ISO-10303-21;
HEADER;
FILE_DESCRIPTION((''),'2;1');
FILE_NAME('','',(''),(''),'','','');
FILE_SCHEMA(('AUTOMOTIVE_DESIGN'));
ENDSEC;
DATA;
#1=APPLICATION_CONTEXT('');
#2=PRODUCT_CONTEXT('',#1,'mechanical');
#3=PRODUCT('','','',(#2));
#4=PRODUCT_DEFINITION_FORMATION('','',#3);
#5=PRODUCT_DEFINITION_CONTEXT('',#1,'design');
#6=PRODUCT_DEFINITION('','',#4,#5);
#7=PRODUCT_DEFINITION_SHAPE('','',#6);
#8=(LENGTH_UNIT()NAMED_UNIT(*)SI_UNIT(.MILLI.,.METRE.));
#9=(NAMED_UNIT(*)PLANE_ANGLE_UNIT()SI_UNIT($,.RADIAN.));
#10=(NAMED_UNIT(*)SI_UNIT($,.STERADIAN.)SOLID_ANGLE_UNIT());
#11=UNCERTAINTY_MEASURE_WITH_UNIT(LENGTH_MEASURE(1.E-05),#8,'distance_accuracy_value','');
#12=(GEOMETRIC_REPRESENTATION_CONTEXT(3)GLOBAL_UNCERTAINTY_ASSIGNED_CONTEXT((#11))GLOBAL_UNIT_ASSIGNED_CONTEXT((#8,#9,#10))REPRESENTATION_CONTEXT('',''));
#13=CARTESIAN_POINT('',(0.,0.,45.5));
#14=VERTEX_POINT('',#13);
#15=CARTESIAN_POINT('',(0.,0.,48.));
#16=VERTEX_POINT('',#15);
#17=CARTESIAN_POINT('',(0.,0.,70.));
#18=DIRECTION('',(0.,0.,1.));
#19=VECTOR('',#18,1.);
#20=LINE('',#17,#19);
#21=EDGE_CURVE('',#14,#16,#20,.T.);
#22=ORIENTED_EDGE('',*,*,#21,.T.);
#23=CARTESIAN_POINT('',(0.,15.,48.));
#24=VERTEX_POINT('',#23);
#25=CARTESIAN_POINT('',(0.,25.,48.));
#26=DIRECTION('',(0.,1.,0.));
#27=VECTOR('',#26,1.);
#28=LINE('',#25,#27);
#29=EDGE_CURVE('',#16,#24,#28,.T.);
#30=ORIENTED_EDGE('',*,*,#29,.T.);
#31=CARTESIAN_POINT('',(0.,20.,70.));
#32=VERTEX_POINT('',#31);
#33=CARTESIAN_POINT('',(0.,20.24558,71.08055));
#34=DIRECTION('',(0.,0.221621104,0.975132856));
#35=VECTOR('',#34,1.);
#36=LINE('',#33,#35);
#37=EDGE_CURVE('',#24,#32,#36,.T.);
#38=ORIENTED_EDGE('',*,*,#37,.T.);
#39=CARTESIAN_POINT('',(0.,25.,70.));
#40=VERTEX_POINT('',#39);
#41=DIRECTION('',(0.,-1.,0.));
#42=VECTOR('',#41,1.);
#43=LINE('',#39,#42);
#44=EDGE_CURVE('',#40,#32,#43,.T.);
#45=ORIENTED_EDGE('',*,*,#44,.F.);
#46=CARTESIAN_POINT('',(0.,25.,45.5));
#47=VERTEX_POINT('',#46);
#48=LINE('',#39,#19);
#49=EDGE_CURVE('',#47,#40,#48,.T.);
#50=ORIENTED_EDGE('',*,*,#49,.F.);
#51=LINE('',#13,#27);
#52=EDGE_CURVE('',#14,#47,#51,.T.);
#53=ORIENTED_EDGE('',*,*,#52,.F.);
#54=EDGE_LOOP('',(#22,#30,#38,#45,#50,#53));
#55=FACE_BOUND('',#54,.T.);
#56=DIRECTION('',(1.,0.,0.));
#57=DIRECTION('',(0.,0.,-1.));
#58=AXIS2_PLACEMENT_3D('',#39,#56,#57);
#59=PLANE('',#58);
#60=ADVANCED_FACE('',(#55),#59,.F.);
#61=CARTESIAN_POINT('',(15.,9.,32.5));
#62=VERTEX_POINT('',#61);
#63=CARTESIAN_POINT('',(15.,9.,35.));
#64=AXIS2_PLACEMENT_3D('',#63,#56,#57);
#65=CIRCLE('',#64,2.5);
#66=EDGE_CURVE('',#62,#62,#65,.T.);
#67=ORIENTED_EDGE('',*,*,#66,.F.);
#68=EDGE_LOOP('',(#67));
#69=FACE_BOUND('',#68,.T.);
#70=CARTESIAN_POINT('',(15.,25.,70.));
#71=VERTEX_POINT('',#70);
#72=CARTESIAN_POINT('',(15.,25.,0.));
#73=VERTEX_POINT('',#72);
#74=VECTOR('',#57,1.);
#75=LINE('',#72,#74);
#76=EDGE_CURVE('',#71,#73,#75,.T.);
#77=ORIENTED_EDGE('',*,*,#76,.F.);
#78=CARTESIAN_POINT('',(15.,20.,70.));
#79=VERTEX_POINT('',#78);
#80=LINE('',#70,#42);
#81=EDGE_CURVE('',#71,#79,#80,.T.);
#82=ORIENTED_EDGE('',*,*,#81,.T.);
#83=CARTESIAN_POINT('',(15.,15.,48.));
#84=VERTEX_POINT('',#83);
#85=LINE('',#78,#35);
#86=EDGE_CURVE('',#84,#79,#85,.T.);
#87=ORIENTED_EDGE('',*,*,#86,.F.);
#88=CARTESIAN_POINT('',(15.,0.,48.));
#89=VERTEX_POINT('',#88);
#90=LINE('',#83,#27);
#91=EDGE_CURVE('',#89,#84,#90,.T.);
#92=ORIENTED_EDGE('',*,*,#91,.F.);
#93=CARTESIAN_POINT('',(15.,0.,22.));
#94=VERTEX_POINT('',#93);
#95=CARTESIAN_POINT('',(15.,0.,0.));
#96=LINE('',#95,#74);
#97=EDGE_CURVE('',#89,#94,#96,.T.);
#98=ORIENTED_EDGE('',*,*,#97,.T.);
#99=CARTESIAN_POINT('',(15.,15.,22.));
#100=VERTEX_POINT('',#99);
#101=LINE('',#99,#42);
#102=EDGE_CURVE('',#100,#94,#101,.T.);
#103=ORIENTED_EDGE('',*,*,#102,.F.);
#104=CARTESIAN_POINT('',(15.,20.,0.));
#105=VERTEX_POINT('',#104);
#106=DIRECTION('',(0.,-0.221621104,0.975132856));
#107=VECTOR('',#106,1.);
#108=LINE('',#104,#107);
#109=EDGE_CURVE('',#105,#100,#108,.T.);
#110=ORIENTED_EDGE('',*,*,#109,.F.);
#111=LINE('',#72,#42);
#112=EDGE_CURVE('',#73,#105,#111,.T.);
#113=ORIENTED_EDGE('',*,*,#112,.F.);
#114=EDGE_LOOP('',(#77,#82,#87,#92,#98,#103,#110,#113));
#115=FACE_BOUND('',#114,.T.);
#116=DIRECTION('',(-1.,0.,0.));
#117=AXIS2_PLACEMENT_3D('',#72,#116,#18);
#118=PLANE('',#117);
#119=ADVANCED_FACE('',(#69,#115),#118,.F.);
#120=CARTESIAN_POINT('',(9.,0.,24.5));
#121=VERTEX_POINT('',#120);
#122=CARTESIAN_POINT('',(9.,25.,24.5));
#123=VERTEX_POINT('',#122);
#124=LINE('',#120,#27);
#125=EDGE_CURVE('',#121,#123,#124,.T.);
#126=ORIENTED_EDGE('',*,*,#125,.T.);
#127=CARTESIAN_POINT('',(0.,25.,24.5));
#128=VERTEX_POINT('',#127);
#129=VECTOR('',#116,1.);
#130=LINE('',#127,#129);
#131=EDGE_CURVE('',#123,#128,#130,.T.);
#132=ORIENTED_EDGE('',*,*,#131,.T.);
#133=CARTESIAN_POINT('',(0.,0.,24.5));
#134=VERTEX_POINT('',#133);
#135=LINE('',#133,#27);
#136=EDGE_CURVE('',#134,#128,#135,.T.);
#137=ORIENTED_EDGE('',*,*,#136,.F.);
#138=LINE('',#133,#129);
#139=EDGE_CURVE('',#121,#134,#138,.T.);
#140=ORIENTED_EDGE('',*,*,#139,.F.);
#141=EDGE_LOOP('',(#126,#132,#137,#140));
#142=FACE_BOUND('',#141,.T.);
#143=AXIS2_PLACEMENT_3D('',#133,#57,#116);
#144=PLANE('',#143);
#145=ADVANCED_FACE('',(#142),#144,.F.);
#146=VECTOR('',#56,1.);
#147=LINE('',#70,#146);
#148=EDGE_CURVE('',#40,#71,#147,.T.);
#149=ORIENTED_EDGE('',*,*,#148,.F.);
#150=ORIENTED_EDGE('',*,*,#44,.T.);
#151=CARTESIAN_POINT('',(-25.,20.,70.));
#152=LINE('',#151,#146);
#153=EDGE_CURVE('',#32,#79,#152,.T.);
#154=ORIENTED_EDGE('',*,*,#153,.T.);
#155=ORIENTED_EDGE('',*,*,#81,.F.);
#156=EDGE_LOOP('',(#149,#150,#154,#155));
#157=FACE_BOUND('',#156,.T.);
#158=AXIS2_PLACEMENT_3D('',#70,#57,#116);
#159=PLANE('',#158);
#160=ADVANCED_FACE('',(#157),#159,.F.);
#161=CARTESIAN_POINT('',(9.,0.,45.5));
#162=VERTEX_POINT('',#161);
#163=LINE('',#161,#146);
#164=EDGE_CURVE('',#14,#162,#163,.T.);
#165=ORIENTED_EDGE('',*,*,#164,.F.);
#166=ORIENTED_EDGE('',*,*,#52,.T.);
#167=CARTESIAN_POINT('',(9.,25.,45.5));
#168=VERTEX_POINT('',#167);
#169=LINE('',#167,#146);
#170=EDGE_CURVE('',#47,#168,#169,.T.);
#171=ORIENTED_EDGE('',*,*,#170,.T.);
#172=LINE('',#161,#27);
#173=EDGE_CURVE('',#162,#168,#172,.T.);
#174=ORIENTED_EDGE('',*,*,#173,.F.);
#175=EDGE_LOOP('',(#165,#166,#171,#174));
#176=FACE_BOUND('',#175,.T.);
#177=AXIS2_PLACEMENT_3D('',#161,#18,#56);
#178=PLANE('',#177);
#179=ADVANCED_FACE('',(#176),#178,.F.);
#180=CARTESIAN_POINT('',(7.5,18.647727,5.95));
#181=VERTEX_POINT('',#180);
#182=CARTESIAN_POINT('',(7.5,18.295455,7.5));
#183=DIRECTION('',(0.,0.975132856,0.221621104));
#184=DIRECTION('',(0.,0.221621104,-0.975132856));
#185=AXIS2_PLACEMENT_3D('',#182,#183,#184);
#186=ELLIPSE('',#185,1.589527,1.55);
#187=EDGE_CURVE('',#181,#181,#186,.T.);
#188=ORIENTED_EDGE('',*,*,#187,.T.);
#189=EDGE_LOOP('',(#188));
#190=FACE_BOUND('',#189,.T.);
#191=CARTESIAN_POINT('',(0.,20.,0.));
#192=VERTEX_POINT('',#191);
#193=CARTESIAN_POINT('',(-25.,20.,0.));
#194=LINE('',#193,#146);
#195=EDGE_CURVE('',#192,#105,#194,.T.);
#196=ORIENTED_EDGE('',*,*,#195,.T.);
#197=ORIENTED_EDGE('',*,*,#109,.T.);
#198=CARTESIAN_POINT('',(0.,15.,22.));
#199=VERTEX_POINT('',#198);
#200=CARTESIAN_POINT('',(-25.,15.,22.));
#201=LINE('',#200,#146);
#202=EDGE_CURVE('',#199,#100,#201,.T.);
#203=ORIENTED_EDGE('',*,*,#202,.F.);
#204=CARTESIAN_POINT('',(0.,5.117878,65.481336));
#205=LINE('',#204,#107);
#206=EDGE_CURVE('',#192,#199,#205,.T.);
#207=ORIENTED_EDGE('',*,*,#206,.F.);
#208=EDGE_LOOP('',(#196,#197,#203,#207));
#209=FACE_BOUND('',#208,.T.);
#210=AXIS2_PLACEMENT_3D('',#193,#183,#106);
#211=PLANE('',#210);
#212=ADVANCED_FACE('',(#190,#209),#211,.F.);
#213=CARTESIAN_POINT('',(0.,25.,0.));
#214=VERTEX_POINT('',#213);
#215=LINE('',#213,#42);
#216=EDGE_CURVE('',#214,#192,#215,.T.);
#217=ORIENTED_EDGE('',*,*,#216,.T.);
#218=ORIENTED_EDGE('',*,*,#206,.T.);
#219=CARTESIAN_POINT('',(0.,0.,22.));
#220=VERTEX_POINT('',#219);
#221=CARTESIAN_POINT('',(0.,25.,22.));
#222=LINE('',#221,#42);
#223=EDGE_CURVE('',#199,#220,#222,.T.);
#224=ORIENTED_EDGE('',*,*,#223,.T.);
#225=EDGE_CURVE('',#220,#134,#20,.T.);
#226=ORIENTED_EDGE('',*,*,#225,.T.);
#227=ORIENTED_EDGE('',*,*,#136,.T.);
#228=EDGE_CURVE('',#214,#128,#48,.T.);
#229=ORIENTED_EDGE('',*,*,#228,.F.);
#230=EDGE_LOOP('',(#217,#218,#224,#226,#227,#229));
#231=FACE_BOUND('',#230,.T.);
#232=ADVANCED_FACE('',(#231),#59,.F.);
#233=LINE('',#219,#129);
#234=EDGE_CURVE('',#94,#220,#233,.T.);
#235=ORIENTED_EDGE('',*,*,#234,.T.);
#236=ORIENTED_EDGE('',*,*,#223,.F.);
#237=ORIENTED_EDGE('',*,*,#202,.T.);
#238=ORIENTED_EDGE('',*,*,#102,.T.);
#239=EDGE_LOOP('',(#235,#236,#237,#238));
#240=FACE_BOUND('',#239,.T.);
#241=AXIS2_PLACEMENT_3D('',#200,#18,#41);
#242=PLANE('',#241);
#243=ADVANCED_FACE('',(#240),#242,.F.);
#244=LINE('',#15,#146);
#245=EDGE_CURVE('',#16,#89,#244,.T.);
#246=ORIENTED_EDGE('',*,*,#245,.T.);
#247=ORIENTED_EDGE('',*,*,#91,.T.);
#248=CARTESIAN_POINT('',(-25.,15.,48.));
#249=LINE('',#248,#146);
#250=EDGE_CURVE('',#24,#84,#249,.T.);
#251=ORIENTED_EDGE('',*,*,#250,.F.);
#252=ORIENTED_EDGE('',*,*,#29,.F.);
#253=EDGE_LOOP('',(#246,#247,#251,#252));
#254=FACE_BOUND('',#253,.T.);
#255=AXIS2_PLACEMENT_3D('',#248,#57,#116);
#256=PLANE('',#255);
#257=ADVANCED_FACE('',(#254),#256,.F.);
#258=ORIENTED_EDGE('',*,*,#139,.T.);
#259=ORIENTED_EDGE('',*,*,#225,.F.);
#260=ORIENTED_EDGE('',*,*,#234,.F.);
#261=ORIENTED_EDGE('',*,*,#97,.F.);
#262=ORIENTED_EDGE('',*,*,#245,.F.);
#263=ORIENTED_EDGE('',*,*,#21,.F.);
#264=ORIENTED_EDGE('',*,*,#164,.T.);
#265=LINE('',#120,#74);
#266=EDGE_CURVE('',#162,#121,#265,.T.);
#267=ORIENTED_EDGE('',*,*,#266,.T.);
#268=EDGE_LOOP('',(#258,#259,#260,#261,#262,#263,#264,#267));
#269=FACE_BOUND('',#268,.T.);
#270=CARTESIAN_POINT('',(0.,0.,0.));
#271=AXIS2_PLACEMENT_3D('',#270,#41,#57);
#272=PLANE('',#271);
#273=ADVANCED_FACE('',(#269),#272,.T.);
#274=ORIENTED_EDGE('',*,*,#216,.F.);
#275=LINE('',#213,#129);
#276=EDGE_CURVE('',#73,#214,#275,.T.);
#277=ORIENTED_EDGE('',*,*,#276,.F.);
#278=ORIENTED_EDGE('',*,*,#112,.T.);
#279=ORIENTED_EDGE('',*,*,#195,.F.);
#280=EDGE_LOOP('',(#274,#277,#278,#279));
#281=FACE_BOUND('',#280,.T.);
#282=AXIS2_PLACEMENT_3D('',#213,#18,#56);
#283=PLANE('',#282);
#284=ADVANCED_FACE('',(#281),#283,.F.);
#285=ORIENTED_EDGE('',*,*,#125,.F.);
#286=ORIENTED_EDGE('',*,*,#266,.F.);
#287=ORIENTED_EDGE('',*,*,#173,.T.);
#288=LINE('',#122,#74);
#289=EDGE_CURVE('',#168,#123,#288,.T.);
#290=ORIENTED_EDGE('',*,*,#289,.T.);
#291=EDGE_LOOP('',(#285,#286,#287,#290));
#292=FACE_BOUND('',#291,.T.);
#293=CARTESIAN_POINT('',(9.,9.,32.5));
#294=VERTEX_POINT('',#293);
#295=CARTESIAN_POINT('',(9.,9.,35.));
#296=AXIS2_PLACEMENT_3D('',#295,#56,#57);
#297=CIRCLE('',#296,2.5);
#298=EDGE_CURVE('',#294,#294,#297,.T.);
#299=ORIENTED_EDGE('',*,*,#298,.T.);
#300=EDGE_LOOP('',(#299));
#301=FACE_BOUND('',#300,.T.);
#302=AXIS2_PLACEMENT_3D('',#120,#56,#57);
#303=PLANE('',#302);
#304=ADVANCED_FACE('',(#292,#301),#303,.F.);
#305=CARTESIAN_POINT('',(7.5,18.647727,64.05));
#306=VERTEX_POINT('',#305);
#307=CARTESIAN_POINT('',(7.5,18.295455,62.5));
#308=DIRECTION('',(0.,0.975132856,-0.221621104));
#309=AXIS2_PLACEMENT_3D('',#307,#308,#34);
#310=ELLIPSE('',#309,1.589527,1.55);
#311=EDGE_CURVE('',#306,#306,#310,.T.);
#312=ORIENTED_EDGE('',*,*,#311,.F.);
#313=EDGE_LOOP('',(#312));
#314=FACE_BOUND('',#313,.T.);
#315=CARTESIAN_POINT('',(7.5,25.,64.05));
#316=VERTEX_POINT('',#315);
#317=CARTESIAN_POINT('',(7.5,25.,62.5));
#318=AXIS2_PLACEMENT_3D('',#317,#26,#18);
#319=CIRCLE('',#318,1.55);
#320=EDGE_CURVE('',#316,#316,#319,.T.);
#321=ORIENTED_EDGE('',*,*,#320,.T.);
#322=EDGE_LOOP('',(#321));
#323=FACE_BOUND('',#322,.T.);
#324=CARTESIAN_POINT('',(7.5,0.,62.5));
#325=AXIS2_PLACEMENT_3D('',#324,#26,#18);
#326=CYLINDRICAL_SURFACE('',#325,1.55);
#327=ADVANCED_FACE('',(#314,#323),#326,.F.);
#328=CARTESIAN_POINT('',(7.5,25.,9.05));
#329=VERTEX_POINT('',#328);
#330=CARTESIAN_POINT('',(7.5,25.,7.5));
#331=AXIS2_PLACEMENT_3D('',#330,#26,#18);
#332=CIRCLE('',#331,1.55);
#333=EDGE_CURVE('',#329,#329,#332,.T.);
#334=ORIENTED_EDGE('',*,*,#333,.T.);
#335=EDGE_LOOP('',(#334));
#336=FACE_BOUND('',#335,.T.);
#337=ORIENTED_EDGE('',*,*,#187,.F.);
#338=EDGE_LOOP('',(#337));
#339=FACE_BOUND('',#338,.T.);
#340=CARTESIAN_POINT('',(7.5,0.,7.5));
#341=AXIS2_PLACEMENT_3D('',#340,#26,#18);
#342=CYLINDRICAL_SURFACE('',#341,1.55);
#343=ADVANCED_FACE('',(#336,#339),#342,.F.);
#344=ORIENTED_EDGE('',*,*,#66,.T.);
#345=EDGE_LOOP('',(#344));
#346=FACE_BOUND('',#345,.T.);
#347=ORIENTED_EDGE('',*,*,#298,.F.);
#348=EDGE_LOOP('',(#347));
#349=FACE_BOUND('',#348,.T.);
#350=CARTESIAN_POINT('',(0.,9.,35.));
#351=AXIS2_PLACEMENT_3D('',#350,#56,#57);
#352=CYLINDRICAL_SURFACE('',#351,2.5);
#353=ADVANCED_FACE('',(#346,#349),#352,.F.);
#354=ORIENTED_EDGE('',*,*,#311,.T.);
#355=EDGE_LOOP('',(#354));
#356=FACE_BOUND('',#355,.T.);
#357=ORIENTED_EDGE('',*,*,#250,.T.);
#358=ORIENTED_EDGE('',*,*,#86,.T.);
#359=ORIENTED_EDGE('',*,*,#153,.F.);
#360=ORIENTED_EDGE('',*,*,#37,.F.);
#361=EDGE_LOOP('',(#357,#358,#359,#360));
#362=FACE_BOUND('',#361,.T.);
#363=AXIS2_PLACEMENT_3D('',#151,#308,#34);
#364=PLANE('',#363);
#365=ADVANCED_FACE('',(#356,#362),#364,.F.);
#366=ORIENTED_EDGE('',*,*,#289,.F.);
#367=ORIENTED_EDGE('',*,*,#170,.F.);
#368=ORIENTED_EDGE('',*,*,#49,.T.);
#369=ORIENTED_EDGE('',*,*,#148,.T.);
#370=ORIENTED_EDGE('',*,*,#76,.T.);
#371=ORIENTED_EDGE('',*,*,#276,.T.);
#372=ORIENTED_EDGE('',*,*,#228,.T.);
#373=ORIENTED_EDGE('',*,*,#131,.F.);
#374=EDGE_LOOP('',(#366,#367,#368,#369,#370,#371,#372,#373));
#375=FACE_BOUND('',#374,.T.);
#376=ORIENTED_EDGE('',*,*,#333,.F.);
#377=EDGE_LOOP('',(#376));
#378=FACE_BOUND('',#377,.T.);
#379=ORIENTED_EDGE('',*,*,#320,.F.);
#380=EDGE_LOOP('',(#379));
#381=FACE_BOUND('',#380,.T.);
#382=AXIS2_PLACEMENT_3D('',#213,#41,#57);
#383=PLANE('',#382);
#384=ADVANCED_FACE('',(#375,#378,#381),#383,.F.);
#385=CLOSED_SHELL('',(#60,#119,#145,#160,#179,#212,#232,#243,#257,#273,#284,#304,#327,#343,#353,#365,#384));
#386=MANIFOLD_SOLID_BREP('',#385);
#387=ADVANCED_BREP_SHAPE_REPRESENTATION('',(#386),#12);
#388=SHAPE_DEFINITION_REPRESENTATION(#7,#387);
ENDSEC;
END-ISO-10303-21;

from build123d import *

# Parameters (mm, degrees)
SKETCH_1_W          = 15
SKETCH_1_H          = 70
EXTRUDE_1_DEPTH     = 25
CUT_EXTRUDE_1_DEPTH = 40
SKETCH_3_W          = 9
SKETCH_3_H          = 21
CUT_EXTRUDE_2_DEPTH = 76.828754441
SKETCH_5_R          = 1.55
CUT_EXTRUDE_3_DEPTH = 76.828754441
SKETCH_6_R          = 2.5
CUT_EXTRUDE_4_DEPTH = 76.828754441


with BuildPart() as part:
    # 草图1 → 凸台-拉伸1 (new body)
    with BuildSketch(Plane(origin=(0, 0, 0), x_dir=(1, 0, 0), z_dir=(0, 1, 0))):
        with Locations((7.5, -35)):
            Rectangle(SKETCH_1_W, SKETCH_1_H)
    extrude(amount=EXTRUDE_1_DEPTH)

    # 草图2 → 切除-拉伸1 (cut)
    with BuildSketch(Plane(origin=(15, 0, 0), x_dir=(0, 0, -1), z_dir=(1, 0, 0))):
        Polygon((-70, 20), (-48, 15), (-48, 0), (-70, 0), align=None)
        Polygon((0, 20), (-22, 15), (-22, 0), (0, 0), align=None)
    extrude(amount=-CUT_EXTRUDE_1_DEPTH, mode=Mode.SUBTRACT)

    # 草图3 → 切除-拉伸2 (cut, through all)
    with BuildSketch(Plane(origin=(0, 25, 0), x_dir=(1, 0, 0), z_dir=(0, 1, 0))):
        with Locations((4.5, -35)):
            Rectangle(SKETCH_3_W, SKETCH_3_H)
    extrude(amount=-CUT_EXTRUDE_2_DEPTH, mode=Mode.SUBTRACT)

    # 草图5 → 切除-拉伸3 (cut, through all)
    with BuildSketch(Plane(origin=(0, 25, 0), x_dir=(1, 0, 0), z_dir=(0, 1, 0))):
        with Locations(Location((7.5, -7.5, 0), (0, 0, 270))):
            Circle(SKETCH_5_R)
        with Locations(Location((7.5, -62.5, 0), (0, 0, 270))):
            Circle(SKETCH_5_R)
    extrude(amount=-CUT_EXTRUDE_3_DEPTH, mode=Mode.SUBTRACT)

    # 草图6 → 切除-拉伸4 (cut, through all)
    with BuildSketch(Plane(origin=(15, 0, 0), x_dir=(0, 0, -1), z_dir=(1, 0, 0))):
        with Locations((-35, 9)):
            Circle(SKETCH_6_R)
    extrude(amount=-CUT_EXTRUDE_4_DEPTH, mode=Mode.SUBTRACT)


solid = part.part
